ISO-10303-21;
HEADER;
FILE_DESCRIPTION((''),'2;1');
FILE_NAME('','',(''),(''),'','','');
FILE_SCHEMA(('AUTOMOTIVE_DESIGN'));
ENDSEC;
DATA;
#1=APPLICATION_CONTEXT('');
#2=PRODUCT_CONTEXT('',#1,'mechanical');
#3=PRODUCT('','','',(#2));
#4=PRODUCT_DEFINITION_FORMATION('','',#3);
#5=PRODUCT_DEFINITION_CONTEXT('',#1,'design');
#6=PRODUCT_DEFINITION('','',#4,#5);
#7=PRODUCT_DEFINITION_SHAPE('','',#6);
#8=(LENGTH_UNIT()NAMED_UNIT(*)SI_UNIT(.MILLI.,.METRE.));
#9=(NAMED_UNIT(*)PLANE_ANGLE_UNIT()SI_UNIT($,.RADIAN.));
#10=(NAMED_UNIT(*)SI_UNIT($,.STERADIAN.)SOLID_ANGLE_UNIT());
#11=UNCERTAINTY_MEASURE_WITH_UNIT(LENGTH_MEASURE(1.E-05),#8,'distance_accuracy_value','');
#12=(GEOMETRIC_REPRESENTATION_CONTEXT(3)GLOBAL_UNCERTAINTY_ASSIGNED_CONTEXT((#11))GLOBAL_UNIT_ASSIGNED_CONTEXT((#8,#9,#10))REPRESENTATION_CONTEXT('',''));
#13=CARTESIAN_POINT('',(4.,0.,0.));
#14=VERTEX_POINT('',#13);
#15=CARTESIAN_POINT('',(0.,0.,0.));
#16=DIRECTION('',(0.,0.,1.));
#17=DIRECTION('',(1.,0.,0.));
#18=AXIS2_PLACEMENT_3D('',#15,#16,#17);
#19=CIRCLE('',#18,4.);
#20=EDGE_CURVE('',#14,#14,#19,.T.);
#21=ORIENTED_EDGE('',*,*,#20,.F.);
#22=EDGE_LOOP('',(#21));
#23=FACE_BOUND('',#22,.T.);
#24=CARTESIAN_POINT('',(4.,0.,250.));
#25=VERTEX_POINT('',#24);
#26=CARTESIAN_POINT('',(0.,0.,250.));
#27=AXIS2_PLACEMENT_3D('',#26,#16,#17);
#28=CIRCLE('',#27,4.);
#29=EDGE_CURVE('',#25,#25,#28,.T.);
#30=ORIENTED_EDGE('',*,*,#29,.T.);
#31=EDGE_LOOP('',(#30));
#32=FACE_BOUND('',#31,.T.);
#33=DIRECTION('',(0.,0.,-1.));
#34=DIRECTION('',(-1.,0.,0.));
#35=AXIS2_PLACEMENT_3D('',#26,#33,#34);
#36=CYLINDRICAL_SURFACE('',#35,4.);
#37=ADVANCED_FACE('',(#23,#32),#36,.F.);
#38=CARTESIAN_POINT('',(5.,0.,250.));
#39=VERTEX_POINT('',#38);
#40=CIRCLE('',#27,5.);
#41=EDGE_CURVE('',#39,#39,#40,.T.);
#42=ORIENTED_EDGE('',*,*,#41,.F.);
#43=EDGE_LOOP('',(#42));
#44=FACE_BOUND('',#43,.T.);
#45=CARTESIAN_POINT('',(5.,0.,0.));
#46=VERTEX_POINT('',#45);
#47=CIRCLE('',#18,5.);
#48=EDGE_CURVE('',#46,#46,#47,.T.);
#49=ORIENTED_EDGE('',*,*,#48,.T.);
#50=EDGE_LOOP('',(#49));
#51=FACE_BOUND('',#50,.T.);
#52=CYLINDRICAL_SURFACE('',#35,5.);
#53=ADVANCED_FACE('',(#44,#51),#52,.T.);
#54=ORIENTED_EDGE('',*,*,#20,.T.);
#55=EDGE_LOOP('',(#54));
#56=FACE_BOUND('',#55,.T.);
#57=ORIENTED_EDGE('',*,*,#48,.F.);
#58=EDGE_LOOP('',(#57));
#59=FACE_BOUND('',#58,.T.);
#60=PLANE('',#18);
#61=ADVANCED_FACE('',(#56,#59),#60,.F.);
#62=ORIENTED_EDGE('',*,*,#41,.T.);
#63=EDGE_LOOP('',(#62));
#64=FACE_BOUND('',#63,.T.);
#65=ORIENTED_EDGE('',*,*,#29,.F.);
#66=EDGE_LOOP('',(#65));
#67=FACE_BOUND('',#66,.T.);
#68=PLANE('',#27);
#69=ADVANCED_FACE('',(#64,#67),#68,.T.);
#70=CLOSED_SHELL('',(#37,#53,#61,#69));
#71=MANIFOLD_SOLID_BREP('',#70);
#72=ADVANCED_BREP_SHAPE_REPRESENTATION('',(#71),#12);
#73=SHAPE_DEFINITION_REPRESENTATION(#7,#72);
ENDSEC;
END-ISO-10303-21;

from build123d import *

# Parameters (mm, degrees)
SZKIC1_R                    = 5
SZKIC1_R_2                  = 4
DODANIE_WYCI_GNI_CIE1_DEPTH = 250


with BuildPart() as part:
    # Szkic1 → Dodanie-wyciągnięcie1 (new body)
    with BuildSketch(Plane.XY):
        Circle(SZKIC1_R)
        Circle(SZKIC1_R_2, mode=Mode.SUBTRACT)
    extrude(amount=DODANIE_WYCI_GNI_CIE1_DEPTH)


solid = part.part
